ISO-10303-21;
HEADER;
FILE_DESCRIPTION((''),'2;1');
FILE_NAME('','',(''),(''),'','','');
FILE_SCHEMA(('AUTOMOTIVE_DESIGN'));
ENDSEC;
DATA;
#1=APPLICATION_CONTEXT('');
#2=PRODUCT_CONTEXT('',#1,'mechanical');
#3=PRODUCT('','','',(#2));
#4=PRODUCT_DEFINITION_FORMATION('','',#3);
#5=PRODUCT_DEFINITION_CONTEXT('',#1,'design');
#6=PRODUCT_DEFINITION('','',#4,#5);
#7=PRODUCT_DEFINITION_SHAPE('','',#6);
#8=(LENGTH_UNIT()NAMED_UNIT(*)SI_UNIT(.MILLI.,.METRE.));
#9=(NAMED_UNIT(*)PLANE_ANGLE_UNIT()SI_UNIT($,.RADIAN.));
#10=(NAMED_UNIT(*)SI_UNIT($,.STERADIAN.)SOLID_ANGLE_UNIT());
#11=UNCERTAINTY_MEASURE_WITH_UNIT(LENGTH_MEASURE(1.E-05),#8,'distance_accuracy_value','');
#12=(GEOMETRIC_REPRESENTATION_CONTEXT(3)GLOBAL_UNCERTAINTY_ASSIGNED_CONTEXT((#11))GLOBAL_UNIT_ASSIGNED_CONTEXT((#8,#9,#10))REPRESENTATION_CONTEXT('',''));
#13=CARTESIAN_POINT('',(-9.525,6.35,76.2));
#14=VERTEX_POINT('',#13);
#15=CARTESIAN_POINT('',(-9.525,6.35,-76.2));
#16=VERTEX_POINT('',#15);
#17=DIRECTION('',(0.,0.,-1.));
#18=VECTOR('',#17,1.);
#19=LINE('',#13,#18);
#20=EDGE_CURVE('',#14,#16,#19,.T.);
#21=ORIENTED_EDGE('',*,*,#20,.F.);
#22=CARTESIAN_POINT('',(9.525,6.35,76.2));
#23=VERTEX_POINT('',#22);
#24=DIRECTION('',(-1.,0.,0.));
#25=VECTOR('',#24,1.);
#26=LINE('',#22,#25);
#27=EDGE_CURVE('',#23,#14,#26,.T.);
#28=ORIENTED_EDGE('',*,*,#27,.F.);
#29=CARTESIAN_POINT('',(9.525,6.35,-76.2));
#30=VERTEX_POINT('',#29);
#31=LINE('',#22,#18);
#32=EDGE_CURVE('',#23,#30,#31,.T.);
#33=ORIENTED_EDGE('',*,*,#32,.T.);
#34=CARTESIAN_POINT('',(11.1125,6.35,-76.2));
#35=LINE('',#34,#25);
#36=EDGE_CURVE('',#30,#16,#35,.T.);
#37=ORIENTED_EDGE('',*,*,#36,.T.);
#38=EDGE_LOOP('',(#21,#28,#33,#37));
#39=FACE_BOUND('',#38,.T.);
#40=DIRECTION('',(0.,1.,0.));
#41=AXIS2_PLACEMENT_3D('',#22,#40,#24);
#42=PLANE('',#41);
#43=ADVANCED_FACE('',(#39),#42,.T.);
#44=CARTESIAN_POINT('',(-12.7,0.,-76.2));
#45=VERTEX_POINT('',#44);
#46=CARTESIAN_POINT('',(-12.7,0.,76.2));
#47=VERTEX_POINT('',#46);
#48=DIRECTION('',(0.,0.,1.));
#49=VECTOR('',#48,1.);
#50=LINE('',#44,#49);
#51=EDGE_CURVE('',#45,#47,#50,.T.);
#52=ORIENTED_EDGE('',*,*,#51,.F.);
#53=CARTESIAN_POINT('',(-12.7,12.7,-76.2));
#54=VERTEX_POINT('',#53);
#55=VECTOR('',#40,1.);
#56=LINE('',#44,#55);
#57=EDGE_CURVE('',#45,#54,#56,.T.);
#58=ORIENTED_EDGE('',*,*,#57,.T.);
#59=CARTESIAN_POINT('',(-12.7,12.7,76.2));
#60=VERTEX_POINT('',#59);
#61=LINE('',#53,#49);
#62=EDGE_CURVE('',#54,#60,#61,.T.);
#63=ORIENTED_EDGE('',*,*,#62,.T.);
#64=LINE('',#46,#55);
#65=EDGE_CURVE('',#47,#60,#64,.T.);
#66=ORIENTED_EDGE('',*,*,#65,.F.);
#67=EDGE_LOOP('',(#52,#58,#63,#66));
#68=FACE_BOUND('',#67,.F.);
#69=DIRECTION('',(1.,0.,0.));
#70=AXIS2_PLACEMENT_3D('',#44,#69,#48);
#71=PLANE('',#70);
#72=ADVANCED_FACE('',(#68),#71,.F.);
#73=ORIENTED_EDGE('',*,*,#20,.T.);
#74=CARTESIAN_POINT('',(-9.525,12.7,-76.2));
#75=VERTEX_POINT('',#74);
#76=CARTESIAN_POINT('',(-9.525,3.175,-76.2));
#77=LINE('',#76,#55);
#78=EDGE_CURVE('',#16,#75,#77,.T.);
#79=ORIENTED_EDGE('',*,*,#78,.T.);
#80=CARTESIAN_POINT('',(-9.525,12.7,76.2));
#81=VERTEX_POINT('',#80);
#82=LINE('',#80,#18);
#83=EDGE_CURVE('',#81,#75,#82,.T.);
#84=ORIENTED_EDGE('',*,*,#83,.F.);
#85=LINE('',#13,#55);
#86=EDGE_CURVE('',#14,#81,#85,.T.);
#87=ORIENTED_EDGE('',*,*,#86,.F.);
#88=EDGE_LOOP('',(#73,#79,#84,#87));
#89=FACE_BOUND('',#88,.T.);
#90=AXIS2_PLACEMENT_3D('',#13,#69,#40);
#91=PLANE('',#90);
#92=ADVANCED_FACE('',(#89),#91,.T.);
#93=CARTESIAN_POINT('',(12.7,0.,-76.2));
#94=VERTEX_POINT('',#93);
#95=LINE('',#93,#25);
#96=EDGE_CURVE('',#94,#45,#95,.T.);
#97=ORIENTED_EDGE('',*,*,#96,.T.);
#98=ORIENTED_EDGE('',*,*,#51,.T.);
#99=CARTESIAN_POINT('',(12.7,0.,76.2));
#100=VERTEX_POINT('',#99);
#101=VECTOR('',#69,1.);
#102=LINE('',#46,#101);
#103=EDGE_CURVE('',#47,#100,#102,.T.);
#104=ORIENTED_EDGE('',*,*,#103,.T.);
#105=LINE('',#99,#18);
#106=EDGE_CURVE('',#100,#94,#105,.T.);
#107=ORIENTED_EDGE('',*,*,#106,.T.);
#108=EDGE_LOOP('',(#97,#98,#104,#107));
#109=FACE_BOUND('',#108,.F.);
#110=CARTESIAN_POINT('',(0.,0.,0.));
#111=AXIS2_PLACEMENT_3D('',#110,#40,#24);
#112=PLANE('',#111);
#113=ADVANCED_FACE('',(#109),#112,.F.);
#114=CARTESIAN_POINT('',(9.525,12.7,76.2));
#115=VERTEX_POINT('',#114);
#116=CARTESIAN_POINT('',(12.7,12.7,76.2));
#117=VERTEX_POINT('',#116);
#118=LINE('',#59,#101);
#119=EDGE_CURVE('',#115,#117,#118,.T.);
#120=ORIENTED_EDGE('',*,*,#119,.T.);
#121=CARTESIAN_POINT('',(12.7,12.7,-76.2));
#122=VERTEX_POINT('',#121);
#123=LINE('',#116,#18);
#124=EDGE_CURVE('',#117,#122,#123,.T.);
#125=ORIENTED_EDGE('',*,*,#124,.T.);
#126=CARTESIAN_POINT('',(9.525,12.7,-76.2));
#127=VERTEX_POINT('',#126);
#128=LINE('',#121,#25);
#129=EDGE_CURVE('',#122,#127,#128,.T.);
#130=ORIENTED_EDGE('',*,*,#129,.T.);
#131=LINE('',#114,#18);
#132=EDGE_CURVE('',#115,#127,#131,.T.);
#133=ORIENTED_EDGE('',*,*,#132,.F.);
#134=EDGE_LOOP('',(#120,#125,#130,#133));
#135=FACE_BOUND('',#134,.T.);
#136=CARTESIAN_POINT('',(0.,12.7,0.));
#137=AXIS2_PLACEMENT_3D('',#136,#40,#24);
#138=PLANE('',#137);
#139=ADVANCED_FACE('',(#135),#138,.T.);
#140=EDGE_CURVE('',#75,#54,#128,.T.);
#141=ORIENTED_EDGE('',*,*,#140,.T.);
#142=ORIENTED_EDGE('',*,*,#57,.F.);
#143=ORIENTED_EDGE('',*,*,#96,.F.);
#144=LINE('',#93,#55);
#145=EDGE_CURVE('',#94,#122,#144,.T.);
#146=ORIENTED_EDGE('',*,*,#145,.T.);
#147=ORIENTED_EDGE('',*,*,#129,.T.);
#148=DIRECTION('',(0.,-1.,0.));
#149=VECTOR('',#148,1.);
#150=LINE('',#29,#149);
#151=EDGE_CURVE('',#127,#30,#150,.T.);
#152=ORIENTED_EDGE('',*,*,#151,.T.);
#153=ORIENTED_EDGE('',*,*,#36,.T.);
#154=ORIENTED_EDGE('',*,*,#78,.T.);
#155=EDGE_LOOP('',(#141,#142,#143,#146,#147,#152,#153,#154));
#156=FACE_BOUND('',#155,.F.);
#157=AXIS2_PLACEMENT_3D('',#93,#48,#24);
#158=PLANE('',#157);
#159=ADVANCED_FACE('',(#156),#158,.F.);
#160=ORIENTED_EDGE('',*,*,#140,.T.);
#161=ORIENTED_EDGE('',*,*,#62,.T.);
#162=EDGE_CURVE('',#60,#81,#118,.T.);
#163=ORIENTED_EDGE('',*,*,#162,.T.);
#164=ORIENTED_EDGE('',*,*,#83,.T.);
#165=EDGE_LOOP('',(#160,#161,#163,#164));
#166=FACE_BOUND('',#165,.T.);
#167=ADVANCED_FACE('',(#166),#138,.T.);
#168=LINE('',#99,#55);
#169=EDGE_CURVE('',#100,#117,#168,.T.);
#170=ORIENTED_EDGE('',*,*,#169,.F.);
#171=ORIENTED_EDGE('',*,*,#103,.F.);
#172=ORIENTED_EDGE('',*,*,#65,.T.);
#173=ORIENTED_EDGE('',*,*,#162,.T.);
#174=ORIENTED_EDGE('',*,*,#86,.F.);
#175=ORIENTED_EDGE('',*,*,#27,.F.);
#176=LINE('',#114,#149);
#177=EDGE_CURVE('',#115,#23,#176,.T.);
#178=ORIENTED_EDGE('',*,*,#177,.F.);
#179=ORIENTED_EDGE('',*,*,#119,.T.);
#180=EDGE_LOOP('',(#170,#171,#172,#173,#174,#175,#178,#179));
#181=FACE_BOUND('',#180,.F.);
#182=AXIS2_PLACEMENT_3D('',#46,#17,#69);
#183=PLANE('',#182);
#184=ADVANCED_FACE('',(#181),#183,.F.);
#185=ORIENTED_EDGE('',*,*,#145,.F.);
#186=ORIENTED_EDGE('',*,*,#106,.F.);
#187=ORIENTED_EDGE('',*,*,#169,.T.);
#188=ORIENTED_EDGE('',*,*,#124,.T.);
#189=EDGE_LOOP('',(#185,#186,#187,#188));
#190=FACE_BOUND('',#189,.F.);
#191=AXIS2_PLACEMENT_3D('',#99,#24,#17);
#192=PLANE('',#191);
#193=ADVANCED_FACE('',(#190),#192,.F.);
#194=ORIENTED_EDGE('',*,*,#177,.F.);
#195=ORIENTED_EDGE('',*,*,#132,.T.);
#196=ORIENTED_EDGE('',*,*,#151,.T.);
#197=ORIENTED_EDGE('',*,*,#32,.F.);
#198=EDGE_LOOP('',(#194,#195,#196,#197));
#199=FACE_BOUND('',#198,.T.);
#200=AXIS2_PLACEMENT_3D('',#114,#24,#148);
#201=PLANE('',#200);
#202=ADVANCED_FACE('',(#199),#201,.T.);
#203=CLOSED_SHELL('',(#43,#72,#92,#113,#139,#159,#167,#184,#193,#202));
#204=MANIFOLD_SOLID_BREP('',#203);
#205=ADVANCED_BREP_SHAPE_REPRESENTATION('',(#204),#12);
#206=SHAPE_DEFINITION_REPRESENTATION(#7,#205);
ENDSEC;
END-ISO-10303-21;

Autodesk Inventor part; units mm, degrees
ref_plane "YZ Plane" through (0, 0, 0) normal (1, 0, 0) x (0, 1, 0)
ref_plane "XZ Plane" through (0, 0, 0) normal (0, 1, 0) x (-1, 0, 0)
ref_plane "XY Plane" through (0, 0, 0) normal (0, 0, 1) x (1, 0, 0)
sketch "Sketch1" plane through (0, 0, 0) normal (0, 1, 0) x (-1, 0, 0)
  line L0 (12.7, 76.2) -> (-12.7, 76.2)
  line L1 (-12.7, 76.2) -> (-12.7, -76.2)
  line L2 (-12.7, -76.2) -> (12.7, -76.2)
  line L3 (12.7, -76.2) -> (12.7, 76.2)
  line L4 (12.7, 76.2) -> (-12.7, -76.2) construction
  line L5 (-12.7, 76.2) -> (12.7, -76.2) construction
  point P0 (0, 0)
  dimension "d0" = 25.4
  dimension "d1" = 152.4
extrude "Extrusion1" add sketch "Sketch1" along normal blind 12.7
sketch "Sketch2" plane through (-12.7, 0, 76.2) normal (0, 0, 1) x (1, 0, 0)
  line L0 (0, 0) -> (25.4, 0) projected
  line L1 (25.4, 0) -> (25.4, 12.7) projected
  line L2 (0, 12.7) -> (25.4, 12.7) projected
  line L3 (0, 0) -> (0, 12.7) projected
  line L4 (3.175, 12.7) -> (22.225, 12.7)
  line L5 (22.225, 12.7) -> (22.225, 6.35)
  line L6 (22.225, 6.35) -> (3.175, 6.35)
  line L7 (3.175, 6.35) -> (3.175, 12.7)
  point P0 (12.7, 0)
  dimension "d4" = 3.175
  dimension "d5" = 6.35
  dimension "d6" = 3.175
extrude "Extrusion2" cut sketch "Sketch2" against normal through all contours L2 L5 L6 L7
equation "\"d6\" = d4"
properties part number "Base"
